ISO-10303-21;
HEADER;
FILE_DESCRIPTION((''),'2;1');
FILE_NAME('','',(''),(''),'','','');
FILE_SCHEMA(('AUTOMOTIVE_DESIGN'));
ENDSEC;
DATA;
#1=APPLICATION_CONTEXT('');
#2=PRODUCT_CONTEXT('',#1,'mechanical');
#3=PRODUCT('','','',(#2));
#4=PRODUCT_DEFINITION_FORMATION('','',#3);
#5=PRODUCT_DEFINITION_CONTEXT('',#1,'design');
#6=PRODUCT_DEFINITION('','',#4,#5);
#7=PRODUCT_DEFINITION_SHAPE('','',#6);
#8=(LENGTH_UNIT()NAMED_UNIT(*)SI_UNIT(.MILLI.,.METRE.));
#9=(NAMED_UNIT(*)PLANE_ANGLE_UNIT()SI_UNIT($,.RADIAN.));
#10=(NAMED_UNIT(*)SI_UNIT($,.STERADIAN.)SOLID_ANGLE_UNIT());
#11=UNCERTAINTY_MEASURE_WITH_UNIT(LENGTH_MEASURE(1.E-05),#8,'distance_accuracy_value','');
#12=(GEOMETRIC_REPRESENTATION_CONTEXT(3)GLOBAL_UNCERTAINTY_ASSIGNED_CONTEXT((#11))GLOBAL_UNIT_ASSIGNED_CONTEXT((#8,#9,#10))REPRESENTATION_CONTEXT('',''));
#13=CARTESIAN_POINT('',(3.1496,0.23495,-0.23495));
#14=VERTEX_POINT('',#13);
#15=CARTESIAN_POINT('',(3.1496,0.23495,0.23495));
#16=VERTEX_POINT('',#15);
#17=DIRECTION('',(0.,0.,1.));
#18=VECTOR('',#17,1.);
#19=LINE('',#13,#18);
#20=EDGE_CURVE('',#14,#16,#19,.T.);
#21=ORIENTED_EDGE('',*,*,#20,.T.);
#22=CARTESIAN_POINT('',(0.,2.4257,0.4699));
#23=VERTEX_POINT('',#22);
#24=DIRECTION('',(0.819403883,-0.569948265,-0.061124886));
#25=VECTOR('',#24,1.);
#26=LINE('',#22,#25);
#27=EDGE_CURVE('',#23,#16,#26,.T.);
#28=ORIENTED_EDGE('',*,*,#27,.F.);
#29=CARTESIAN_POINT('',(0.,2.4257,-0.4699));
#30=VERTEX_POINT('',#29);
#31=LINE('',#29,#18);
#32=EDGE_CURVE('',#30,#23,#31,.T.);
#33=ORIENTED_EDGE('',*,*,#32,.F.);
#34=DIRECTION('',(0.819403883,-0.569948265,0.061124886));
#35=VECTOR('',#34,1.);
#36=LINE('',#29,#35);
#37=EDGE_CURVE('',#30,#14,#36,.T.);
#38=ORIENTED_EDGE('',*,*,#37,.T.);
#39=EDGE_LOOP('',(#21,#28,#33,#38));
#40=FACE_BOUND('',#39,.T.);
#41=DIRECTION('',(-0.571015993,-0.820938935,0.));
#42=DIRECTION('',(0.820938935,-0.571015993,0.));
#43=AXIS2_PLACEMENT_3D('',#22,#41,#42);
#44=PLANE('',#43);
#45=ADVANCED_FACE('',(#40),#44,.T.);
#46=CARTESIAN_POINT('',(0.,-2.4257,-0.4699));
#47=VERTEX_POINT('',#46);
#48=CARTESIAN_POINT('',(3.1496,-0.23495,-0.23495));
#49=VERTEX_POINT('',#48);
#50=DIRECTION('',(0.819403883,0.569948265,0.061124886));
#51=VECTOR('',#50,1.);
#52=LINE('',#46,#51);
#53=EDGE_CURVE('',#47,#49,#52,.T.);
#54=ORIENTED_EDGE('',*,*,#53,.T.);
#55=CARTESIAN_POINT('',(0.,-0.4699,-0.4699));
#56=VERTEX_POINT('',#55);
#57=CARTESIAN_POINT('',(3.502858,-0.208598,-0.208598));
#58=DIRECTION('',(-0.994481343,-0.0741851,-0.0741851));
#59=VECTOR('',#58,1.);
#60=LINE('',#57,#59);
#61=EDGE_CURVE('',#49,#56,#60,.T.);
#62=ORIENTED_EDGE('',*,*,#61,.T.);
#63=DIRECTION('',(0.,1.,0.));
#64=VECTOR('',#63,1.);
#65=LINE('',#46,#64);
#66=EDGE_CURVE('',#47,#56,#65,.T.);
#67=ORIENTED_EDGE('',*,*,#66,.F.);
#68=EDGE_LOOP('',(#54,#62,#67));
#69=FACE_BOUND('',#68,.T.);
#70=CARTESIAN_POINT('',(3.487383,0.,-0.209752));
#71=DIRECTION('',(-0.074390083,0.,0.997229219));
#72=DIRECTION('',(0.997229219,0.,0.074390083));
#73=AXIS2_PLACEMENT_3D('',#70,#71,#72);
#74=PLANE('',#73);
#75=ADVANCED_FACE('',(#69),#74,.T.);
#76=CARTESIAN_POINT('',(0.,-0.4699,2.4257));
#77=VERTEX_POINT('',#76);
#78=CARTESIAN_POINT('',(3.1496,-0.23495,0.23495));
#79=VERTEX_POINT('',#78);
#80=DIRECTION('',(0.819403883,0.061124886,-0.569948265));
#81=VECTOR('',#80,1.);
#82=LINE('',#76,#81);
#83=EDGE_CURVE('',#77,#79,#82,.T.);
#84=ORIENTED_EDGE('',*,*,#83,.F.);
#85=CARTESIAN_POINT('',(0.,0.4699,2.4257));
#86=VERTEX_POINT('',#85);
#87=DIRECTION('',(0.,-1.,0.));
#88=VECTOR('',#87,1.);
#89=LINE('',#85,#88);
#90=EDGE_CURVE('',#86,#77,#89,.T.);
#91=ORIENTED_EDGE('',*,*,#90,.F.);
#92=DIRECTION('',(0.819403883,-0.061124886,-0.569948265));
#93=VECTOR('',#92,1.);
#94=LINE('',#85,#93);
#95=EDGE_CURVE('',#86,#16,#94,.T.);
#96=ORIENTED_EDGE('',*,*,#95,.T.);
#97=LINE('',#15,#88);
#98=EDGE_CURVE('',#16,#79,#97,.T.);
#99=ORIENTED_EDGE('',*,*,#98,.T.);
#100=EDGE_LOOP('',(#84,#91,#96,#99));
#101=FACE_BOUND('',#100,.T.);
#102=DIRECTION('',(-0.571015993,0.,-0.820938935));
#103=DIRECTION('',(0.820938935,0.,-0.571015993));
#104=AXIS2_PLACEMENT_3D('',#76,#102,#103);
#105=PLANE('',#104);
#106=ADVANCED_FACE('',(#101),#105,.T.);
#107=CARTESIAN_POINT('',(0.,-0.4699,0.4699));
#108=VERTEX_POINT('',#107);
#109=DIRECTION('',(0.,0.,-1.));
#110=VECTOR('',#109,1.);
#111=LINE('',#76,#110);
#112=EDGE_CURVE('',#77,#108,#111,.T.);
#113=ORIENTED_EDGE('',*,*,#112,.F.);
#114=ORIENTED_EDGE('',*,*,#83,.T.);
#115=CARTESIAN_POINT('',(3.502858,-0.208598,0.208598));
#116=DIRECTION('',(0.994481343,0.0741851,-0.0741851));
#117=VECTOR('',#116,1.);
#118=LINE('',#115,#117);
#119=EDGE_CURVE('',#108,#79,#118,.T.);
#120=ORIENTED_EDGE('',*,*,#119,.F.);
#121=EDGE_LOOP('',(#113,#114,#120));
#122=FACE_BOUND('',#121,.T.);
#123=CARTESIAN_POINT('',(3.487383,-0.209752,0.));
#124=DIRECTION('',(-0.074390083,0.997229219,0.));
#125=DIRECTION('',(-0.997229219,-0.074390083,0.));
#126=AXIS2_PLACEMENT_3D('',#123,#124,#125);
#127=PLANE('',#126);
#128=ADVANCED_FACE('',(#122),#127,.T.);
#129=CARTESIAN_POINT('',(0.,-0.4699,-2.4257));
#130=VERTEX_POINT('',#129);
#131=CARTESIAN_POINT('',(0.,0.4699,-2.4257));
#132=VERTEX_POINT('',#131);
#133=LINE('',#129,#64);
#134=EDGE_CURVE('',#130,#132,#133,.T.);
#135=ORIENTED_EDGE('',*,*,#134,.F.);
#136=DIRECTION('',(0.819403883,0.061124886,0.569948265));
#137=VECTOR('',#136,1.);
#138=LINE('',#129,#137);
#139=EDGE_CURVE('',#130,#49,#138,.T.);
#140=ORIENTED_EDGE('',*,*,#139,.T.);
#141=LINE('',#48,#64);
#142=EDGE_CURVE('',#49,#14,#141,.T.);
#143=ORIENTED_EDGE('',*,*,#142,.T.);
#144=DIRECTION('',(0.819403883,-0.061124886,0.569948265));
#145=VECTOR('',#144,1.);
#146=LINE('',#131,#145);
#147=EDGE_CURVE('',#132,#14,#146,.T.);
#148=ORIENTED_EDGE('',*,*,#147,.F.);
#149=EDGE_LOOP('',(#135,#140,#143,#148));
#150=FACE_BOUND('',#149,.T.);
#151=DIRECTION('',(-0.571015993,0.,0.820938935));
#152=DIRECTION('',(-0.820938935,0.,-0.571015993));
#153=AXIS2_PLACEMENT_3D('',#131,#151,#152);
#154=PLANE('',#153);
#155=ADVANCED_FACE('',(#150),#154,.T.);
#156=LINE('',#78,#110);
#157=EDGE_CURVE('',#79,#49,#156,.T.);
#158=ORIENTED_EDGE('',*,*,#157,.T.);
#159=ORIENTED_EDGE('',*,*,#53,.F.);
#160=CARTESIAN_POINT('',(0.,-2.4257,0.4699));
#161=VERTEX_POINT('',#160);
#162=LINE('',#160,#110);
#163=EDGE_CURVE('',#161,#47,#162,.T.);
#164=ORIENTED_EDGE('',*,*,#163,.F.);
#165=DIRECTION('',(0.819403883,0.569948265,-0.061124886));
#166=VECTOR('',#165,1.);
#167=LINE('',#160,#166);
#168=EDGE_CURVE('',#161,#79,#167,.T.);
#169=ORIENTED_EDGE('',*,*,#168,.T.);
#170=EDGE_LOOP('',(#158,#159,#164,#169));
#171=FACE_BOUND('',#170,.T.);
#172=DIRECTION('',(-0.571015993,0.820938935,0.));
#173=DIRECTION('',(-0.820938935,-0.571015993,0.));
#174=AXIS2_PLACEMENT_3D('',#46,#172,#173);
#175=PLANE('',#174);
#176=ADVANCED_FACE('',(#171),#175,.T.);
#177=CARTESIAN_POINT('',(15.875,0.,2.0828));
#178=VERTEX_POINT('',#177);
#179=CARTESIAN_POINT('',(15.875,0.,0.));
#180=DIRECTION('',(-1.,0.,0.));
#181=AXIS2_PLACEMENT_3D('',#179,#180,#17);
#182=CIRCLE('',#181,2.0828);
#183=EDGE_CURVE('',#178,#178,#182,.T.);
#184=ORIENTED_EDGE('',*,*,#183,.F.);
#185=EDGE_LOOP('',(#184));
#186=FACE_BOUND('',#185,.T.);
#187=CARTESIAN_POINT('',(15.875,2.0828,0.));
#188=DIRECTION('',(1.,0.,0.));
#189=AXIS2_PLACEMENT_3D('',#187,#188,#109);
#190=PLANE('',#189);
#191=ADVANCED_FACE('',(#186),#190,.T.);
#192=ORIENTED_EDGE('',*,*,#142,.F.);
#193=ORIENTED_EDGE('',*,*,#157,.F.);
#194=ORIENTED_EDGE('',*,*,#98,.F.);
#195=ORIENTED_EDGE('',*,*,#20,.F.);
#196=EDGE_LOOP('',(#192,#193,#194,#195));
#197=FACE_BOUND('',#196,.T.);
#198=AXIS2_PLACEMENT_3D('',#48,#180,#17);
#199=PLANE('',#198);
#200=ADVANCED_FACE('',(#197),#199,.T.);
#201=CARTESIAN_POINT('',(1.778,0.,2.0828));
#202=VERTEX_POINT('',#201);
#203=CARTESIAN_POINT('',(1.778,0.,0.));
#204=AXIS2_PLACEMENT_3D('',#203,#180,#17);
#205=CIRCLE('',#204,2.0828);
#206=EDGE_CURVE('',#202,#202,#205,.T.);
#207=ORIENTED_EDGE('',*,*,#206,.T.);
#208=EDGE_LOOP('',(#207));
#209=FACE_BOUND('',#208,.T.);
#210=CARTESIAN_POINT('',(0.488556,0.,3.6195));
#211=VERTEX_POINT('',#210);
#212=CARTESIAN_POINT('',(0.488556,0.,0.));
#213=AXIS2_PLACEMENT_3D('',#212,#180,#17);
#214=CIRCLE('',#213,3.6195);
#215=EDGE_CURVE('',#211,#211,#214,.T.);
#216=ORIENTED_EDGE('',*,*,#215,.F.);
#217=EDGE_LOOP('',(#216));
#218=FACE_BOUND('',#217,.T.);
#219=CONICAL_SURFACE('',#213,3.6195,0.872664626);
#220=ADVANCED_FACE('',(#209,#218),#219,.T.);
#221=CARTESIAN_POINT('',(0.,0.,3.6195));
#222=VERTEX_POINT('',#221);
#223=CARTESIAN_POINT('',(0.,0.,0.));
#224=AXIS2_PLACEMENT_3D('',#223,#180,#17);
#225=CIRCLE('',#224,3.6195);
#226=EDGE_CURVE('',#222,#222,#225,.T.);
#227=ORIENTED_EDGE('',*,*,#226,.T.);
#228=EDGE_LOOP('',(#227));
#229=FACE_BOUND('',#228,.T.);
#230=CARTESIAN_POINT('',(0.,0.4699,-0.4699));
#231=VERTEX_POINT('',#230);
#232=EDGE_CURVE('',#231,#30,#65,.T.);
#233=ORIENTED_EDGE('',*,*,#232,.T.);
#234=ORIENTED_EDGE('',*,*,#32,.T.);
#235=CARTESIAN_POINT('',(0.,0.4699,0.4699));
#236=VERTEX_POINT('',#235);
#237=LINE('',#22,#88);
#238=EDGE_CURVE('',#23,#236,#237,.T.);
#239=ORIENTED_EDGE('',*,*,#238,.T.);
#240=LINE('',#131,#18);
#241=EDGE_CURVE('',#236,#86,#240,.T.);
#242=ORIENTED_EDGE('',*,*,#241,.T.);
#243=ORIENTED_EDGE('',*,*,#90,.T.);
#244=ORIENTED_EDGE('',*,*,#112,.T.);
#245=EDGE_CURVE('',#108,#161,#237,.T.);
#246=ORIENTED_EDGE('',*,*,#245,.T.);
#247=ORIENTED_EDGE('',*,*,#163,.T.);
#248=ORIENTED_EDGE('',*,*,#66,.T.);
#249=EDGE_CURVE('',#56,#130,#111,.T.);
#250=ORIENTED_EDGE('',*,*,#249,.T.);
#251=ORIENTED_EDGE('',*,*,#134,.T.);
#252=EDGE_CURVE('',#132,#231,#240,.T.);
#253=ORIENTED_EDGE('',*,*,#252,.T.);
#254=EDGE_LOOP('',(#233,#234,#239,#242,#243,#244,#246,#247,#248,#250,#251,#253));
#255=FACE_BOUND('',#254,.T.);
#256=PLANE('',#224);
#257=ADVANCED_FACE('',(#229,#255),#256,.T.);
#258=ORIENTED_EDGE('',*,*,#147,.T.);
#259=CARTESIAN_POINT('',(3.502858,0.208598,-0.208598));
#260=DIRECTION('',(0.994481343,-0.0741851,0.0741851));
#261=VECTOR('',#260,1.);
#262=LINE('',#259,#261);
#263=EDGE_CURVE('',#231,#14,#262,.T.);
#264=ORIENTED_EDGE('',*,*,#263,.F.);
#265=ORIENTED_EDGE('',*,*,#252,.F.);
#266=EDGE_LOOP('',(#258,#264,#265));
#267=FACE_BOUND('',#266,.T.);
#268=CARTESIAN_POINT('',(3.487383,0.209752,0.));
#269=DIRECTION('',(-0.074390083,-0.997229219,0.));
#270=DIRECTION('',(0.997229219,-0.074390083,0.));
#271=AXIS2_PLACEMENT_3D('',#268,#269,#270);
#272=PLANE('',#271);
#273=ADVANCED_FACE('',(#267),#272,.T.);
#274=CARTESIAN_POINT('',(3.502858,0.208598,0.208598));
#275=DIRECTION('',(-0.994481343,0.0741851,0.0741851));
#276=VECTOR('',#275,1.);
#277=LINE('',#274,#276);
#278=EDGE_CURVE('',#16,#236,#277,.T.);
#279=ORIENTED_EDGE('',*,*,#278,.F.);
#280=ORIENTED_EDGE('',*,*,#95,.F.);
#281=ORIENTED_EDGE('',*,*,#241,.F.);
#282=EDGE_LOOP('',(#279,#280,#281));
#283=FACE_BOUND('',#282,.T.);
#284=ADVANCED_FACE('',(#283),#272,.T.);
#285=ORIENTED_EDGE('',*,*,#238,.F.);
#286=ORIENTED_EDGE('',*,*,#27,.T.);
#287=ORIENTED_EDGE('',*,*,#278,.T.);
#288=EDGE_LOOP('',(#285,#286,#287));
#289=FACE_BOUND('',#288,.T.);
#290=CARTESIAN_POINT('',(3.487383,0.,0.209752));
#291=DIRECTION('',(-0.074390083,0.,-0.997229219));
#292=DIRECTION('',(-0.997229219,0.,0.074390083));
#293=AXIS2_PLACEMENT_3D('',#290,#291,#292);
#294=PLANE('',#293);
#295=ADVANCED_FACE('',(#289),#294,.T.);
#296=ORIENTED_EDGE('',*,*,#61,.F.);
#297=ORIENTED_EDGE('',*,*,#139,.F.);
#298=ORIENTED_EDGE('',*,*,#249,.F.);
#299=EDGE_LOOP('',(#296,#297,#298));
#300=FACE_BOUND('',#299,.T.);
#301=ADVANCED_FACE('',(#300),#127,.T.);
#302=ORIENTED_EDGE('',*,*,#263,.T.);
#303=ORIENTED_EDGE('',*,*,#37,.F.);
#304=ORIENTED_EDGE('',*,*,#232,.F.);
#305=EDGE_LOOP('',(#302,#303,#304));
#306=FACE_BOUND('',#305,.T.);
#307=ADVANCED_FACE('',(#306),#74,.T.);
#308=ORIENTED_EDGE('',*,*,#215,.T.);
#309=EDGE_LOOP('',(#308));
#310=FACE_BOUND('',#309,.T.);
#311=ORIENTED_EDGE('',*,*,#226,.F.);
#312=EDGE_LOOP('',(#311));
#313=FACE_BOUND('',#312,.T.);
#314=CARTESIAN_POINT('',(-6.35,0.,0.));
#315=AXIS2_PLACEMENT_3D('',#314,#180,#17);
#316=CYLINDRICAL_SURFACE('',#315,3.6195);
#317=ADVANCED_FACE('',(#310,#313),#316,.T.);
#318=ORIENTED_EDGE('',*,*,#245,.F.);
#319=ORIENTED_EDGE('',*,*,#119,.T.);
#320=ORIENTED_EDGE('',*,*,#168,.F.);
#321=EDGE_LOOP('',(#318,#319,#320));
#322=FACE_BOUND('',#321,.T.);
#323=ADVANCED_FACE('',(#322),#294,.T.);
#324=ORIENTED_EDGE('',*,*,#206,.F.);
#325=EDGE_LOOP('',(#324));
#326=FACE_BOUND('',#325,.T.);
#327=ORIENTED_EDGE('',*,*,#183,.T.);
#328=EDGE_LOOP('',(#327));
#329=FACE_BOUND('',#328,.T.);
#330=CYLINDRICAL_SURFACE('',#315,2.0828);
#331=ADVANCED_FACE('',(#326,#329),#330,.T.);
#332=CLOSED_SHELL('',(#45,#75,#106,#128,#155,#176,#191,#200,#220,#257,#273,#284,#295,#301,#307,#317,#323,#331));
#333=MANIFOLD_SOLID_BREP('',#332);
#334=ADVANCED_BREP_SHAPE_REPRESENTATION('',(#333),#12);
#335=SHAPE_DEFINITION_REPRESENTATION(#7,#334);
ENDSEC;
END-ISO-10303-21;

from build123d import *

# Parameters (mm, degrees)
CIRPATTERN1_COUNT = 2
CIRPATTERN1_ANGLE = 90


with BuildPart() as part:
    # BodySke → Base-Revolve (revolve)
    with BuildSketch(Plane.XY, mode=Mode.PRIVATE) as base_revolve_sk:
        Polygon((0, 0), (0, 3.6195), (0.488555597, 3.6195), (1.778, 2.0828), (15.875, 2.0828), (15.875, 0), align=None)
    revolve(base_revolve_sk.sketch.rotate(Axis((-6.35, 0, 0), (1, 0, 0)), 90), axis=Axis((-6.35, 0, 0), (1, 0, 0)))

    # Sketch3 → Cross section 0
    with BuildSketch(Plane.ZY):
        with BuildLine():
            Line((-0.4699, 2.4257), (0.4699, 2.4257))
            Line((0.4699, 2.4257), (0.4699, -2.4257))
            Line((0.4699, -2.4257), (-0.4699, -2.4257))
            Line((-0.4699, -2.4257), (-0.4699, 2.4257))
        make_face()
    # Sketch4 → Cross section 1
    with BuildSketch(Plane.ZY.offset(-3.1496)):
        with BuildLine():
            Line((-0.23495, 0.23495), (0.23495, 0.23495))
            Line((0.23495, 0.23495), (0.23495, -0.23495))
            Line((0.23495, -0.23495), (-0.23495, -0.23495))
            Line((-0.23495, -0.23495), (-0.23495, 0.23495))
        make_face()
    cross = loft(mode=Mode.SUBTRACT)

    # CirPattern1: Cross ×2 about axis
    cirpattern1_axis = Axis((0, 0, 0), (1, 0, 0))
    for i in range(1, CIRPATTERN1_COUNT):
        add(cross.rotate(cirpattern1_axis, i * CIRPATTERN1_ANGLE / (CIRPATTERN1_COUNT - 1)), mode=Mode.SUBTRACT)


solid = part.part
